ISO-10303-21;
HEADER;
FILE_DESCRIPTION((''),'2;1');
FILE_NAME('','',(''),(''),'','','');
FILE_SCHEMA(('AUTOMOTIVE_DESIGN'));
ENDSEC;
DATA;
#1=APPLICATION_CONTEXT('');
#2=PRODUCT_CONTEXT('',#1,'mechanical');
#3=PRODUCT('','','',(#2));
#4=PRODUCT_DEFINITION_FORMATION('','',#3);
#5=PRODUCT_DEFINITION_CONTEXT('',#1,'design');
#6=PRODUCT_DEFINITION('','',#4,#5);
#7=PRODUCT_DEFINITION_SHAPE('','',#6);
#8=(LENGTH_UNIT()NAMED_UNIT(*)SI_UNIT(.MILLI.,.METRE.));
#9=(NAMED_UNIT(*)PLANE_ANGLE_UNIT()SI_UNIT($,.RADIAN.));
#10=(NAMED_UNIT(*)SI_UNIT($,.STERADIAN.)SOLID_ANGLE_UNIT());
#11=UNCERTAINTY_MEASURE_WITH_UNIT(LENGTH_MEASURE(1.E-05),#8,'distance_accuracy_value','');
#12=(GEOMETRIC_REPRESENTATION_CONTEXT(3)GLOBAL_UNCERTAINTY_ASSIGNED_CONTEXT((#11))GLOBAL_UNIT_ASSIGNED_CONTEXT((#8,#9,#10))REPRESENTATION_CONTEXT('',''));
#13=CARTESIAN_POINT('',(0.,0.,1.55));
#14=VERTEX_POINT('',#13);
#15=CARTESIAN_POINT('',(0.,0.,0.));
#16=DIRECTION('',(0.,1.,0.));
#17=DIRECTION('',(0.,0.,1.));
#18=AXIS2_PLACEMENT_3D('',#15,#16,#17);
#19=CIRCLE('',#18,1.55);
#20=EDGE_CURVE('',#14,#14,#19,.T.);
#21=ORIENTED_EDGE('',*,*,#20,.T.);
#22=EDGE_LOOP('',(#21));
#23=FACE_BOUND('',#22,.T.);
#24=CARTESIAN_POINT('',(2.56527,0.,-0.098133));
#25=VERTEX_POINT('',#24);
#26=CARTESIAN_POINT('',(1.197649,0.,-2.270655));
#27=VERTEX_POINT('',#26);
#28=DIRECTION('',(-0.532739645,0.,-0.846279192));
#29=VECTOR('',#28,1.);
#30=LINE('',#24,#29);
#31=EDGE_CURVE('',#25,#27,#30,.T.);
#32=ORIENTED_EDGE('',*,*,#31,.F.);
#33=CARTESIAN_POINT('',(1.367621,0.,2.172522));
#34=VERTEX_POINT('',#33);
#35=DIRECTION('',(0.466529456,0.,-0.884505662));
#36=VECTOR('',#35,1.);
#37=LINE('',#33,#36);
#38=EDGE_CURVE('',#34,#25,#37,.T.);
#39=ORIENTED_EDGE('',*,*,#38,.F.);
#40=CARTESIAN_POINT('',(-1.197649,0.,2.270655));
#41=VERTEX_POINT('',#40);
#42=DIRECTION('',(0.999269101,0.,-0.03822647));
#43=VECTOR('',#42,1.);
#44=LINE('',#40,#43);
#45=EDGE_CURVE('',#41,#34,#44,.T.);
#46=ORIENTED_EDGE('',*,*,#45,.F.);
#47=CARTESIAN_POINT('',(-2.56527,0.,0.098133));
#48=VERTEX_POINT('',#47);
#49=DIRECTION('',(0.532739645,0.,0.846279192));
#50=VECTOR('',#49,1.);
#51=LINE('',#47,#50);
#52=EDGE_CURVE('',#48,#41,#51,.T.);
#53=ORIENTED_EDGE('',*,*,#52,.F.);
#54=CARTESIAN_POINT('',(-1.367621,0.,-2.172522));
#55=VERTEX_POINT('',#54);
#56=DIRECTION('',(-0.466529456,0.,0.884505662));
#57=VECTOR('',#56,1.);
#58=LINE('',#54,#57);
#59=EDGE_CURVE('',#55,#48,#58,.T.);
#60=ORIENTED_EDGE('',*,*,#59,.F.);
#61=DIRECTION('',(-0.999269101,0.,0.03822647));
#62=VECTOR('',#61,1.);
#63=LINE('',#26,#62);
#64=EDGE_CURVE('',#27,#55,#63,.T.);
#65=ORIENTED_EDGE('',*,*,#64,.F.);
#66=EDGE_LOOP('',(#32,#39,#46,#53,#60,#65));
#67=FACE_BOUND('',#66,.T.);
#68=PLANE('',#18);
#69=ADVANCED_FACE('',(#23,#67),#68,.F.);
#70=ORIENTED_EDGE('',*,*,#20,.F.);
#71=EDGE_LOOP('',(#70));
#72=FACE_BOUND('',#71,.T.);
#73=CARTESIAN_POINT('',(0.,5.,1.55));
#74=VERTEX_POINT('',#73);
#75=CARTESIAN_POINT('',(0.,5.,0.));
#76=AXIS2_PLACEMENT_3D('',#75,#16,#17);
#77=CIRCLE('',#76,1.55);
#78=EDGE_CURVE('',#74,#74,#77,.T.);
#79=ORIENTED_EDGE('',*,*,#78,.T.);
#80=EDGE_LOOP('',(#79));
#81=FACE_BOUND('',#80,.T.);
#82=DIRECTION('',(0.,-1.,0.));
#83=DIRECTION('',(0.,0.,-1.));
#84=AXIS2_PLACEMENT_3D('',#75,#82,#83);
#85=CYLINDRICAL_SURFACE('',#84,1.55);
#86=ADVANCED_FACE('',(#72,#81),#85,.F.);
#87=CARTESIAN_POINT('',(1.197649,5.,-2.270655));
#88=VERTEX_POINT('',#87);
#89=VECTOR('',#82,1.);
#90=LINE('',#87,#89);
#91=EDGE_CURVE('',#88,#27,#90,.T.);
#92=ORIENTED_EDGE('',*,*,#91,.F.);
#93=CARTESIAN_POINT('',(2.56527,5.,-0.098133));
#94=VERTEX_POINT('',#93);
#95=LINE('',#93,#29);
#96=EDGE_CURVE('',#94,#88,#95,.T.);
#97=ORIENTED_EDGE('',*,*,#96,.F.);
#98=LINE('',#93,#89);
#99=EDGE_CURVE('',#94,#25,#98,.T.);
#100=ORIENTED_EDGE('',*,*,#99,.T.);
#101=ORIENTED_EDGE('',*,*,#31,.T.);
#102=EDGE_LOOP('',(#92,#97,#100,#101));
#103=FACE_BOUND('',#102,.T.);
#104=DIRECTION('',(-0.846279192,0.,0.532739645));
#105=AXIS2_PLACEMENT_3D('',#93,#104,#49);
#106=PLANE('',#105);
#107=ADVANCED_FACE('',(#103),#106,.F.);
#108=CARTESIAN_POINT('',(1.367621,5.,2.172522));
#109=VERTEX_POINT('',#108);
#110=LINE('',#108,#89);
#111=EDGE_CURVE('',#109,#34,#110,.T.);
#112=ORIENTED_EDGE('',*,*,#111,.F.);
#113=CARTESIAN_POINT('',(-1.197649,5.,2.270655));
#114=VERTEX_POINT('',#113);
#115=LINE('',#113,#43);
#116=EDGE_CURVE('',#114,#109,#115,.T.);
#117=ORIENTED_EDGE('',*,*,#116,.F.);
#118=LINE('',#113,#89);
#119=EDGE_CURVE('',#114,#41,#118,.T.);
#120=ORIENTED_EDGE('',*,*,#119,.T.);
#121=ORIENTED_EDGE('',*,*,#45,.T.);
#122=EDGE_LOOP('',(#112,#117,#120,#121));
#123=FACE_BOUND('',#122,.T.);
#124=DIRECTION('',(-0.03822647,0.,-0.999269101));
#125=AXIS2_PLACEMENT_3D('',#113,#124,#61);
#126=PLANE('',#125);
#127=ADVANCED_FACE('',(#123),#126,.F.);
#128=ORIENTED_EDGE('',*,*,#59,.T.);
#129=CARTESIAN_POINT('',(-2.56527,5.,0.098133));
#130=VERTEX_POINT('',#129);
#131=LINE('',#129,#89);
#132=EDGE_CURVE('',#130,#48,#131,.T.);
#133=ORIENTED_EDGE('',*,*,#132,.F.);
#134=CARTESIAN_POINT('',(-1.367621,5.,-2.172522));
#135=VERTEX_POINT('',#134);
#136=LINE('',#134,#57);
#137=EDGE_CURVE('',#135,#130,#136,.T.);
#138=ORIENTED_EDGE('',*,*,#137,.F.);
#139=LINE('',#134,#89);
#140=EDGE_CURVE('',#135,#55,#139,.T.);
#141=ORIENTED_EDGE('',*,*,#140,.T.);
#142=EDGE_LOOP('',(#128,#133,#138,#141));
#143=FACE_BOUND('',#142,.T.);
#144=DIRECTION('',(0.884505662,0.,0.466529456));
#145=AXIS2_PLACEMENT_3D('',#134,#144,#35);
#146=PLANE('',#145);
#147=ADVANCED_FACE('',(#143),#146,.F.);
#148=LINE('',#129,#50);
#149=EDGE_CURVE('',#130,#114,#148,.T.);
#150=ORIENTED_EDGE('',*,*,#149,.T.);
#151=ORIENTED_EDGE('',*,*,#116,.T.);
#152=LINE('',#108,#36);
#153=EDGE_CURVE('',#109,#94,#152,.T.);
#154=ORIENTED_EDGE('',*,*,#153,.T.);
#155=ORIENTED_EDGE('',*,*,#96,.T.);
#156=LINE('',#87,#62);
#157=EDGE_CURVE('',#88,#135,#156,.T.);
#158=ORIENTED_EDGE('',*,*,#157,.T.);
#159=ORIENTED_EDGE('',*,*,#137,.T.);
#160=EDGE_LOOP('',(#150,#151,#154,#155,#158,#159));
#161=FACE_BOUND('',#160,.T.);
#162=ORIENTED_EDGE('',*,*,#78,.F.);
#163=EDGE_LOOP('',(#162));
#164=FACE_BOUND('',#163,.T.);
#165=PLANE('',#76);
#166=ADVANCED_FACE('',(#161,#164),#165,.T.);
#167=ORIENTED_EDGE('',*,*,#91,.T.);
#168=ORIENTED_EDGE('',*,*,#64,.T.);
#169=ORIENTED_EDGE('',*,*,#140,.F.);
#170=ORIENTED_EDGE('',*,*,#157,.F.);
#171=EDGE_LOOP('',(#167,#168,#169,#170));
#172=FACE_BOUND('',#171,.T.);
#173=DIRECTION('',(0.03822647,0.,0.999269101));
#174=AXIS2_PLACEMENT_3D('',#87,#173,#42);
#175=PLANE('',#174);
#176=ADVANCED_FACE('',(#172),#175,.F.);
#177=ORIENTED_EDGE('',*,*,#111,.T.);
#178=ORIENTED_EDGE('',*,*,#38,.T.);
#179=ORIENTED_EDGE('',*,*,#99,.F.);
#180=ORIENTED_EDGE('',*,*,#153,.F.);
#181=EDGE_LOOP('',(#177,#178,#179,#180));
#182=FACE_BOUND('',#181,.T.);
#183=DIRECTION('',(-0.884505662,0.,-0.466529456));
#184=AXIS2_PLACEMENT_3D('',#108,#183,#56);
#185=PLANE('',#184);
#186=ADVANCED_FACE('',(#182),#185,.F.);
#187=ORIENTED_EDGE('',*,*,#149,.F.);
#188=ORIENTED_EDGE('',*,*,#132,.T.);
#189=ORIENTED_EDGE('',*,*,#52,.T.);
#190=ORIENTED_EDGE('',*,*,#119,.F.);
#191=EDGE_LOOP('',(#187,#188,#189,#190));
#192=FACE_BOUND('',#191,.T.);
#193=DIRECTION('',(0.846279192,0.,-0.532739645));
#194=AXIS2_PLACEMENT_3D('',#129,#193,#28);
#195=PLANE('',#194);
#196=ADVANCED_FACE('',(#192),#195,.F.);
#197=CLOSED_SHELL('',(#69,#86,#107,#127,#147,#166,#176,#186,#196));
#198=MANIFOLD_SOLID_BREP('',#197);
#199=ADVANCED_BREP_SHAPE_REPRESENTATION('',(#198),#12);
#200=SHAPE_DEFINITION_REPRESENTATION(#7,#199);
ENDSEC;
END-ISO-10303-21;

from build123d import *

# Parameters (mm, degrees)
SKETCH2_R           = 1.55
BOSS_EXTRUDE1_DEPTH = 5


with BuildPart() as part:
    # Sketch2 → Boss-Extrude1 (new body)
    with BuildSketch(Plane(origin=(0, 0, 0), x_dir=(1, 0, 0), z_dir=(0, 1, 0))):
        Polygon((2.565269859, 0.098132937), (1.197649313, 2.270655334), (-1.367620546, 2.172522397), (-2.565269859, -0.098132937), (-1.197649313, -2.270655334), (1.367620546, -2.172522397), align=None)
        with Locations(Location((0, 0, 0), (0, 0, 270))):
            Circle(SKETCH2_R, mode=Mode.SUBTRACT)
    extrude(amount=BOSS_EXTRUDE1_DEPTH)


solid = part.part
